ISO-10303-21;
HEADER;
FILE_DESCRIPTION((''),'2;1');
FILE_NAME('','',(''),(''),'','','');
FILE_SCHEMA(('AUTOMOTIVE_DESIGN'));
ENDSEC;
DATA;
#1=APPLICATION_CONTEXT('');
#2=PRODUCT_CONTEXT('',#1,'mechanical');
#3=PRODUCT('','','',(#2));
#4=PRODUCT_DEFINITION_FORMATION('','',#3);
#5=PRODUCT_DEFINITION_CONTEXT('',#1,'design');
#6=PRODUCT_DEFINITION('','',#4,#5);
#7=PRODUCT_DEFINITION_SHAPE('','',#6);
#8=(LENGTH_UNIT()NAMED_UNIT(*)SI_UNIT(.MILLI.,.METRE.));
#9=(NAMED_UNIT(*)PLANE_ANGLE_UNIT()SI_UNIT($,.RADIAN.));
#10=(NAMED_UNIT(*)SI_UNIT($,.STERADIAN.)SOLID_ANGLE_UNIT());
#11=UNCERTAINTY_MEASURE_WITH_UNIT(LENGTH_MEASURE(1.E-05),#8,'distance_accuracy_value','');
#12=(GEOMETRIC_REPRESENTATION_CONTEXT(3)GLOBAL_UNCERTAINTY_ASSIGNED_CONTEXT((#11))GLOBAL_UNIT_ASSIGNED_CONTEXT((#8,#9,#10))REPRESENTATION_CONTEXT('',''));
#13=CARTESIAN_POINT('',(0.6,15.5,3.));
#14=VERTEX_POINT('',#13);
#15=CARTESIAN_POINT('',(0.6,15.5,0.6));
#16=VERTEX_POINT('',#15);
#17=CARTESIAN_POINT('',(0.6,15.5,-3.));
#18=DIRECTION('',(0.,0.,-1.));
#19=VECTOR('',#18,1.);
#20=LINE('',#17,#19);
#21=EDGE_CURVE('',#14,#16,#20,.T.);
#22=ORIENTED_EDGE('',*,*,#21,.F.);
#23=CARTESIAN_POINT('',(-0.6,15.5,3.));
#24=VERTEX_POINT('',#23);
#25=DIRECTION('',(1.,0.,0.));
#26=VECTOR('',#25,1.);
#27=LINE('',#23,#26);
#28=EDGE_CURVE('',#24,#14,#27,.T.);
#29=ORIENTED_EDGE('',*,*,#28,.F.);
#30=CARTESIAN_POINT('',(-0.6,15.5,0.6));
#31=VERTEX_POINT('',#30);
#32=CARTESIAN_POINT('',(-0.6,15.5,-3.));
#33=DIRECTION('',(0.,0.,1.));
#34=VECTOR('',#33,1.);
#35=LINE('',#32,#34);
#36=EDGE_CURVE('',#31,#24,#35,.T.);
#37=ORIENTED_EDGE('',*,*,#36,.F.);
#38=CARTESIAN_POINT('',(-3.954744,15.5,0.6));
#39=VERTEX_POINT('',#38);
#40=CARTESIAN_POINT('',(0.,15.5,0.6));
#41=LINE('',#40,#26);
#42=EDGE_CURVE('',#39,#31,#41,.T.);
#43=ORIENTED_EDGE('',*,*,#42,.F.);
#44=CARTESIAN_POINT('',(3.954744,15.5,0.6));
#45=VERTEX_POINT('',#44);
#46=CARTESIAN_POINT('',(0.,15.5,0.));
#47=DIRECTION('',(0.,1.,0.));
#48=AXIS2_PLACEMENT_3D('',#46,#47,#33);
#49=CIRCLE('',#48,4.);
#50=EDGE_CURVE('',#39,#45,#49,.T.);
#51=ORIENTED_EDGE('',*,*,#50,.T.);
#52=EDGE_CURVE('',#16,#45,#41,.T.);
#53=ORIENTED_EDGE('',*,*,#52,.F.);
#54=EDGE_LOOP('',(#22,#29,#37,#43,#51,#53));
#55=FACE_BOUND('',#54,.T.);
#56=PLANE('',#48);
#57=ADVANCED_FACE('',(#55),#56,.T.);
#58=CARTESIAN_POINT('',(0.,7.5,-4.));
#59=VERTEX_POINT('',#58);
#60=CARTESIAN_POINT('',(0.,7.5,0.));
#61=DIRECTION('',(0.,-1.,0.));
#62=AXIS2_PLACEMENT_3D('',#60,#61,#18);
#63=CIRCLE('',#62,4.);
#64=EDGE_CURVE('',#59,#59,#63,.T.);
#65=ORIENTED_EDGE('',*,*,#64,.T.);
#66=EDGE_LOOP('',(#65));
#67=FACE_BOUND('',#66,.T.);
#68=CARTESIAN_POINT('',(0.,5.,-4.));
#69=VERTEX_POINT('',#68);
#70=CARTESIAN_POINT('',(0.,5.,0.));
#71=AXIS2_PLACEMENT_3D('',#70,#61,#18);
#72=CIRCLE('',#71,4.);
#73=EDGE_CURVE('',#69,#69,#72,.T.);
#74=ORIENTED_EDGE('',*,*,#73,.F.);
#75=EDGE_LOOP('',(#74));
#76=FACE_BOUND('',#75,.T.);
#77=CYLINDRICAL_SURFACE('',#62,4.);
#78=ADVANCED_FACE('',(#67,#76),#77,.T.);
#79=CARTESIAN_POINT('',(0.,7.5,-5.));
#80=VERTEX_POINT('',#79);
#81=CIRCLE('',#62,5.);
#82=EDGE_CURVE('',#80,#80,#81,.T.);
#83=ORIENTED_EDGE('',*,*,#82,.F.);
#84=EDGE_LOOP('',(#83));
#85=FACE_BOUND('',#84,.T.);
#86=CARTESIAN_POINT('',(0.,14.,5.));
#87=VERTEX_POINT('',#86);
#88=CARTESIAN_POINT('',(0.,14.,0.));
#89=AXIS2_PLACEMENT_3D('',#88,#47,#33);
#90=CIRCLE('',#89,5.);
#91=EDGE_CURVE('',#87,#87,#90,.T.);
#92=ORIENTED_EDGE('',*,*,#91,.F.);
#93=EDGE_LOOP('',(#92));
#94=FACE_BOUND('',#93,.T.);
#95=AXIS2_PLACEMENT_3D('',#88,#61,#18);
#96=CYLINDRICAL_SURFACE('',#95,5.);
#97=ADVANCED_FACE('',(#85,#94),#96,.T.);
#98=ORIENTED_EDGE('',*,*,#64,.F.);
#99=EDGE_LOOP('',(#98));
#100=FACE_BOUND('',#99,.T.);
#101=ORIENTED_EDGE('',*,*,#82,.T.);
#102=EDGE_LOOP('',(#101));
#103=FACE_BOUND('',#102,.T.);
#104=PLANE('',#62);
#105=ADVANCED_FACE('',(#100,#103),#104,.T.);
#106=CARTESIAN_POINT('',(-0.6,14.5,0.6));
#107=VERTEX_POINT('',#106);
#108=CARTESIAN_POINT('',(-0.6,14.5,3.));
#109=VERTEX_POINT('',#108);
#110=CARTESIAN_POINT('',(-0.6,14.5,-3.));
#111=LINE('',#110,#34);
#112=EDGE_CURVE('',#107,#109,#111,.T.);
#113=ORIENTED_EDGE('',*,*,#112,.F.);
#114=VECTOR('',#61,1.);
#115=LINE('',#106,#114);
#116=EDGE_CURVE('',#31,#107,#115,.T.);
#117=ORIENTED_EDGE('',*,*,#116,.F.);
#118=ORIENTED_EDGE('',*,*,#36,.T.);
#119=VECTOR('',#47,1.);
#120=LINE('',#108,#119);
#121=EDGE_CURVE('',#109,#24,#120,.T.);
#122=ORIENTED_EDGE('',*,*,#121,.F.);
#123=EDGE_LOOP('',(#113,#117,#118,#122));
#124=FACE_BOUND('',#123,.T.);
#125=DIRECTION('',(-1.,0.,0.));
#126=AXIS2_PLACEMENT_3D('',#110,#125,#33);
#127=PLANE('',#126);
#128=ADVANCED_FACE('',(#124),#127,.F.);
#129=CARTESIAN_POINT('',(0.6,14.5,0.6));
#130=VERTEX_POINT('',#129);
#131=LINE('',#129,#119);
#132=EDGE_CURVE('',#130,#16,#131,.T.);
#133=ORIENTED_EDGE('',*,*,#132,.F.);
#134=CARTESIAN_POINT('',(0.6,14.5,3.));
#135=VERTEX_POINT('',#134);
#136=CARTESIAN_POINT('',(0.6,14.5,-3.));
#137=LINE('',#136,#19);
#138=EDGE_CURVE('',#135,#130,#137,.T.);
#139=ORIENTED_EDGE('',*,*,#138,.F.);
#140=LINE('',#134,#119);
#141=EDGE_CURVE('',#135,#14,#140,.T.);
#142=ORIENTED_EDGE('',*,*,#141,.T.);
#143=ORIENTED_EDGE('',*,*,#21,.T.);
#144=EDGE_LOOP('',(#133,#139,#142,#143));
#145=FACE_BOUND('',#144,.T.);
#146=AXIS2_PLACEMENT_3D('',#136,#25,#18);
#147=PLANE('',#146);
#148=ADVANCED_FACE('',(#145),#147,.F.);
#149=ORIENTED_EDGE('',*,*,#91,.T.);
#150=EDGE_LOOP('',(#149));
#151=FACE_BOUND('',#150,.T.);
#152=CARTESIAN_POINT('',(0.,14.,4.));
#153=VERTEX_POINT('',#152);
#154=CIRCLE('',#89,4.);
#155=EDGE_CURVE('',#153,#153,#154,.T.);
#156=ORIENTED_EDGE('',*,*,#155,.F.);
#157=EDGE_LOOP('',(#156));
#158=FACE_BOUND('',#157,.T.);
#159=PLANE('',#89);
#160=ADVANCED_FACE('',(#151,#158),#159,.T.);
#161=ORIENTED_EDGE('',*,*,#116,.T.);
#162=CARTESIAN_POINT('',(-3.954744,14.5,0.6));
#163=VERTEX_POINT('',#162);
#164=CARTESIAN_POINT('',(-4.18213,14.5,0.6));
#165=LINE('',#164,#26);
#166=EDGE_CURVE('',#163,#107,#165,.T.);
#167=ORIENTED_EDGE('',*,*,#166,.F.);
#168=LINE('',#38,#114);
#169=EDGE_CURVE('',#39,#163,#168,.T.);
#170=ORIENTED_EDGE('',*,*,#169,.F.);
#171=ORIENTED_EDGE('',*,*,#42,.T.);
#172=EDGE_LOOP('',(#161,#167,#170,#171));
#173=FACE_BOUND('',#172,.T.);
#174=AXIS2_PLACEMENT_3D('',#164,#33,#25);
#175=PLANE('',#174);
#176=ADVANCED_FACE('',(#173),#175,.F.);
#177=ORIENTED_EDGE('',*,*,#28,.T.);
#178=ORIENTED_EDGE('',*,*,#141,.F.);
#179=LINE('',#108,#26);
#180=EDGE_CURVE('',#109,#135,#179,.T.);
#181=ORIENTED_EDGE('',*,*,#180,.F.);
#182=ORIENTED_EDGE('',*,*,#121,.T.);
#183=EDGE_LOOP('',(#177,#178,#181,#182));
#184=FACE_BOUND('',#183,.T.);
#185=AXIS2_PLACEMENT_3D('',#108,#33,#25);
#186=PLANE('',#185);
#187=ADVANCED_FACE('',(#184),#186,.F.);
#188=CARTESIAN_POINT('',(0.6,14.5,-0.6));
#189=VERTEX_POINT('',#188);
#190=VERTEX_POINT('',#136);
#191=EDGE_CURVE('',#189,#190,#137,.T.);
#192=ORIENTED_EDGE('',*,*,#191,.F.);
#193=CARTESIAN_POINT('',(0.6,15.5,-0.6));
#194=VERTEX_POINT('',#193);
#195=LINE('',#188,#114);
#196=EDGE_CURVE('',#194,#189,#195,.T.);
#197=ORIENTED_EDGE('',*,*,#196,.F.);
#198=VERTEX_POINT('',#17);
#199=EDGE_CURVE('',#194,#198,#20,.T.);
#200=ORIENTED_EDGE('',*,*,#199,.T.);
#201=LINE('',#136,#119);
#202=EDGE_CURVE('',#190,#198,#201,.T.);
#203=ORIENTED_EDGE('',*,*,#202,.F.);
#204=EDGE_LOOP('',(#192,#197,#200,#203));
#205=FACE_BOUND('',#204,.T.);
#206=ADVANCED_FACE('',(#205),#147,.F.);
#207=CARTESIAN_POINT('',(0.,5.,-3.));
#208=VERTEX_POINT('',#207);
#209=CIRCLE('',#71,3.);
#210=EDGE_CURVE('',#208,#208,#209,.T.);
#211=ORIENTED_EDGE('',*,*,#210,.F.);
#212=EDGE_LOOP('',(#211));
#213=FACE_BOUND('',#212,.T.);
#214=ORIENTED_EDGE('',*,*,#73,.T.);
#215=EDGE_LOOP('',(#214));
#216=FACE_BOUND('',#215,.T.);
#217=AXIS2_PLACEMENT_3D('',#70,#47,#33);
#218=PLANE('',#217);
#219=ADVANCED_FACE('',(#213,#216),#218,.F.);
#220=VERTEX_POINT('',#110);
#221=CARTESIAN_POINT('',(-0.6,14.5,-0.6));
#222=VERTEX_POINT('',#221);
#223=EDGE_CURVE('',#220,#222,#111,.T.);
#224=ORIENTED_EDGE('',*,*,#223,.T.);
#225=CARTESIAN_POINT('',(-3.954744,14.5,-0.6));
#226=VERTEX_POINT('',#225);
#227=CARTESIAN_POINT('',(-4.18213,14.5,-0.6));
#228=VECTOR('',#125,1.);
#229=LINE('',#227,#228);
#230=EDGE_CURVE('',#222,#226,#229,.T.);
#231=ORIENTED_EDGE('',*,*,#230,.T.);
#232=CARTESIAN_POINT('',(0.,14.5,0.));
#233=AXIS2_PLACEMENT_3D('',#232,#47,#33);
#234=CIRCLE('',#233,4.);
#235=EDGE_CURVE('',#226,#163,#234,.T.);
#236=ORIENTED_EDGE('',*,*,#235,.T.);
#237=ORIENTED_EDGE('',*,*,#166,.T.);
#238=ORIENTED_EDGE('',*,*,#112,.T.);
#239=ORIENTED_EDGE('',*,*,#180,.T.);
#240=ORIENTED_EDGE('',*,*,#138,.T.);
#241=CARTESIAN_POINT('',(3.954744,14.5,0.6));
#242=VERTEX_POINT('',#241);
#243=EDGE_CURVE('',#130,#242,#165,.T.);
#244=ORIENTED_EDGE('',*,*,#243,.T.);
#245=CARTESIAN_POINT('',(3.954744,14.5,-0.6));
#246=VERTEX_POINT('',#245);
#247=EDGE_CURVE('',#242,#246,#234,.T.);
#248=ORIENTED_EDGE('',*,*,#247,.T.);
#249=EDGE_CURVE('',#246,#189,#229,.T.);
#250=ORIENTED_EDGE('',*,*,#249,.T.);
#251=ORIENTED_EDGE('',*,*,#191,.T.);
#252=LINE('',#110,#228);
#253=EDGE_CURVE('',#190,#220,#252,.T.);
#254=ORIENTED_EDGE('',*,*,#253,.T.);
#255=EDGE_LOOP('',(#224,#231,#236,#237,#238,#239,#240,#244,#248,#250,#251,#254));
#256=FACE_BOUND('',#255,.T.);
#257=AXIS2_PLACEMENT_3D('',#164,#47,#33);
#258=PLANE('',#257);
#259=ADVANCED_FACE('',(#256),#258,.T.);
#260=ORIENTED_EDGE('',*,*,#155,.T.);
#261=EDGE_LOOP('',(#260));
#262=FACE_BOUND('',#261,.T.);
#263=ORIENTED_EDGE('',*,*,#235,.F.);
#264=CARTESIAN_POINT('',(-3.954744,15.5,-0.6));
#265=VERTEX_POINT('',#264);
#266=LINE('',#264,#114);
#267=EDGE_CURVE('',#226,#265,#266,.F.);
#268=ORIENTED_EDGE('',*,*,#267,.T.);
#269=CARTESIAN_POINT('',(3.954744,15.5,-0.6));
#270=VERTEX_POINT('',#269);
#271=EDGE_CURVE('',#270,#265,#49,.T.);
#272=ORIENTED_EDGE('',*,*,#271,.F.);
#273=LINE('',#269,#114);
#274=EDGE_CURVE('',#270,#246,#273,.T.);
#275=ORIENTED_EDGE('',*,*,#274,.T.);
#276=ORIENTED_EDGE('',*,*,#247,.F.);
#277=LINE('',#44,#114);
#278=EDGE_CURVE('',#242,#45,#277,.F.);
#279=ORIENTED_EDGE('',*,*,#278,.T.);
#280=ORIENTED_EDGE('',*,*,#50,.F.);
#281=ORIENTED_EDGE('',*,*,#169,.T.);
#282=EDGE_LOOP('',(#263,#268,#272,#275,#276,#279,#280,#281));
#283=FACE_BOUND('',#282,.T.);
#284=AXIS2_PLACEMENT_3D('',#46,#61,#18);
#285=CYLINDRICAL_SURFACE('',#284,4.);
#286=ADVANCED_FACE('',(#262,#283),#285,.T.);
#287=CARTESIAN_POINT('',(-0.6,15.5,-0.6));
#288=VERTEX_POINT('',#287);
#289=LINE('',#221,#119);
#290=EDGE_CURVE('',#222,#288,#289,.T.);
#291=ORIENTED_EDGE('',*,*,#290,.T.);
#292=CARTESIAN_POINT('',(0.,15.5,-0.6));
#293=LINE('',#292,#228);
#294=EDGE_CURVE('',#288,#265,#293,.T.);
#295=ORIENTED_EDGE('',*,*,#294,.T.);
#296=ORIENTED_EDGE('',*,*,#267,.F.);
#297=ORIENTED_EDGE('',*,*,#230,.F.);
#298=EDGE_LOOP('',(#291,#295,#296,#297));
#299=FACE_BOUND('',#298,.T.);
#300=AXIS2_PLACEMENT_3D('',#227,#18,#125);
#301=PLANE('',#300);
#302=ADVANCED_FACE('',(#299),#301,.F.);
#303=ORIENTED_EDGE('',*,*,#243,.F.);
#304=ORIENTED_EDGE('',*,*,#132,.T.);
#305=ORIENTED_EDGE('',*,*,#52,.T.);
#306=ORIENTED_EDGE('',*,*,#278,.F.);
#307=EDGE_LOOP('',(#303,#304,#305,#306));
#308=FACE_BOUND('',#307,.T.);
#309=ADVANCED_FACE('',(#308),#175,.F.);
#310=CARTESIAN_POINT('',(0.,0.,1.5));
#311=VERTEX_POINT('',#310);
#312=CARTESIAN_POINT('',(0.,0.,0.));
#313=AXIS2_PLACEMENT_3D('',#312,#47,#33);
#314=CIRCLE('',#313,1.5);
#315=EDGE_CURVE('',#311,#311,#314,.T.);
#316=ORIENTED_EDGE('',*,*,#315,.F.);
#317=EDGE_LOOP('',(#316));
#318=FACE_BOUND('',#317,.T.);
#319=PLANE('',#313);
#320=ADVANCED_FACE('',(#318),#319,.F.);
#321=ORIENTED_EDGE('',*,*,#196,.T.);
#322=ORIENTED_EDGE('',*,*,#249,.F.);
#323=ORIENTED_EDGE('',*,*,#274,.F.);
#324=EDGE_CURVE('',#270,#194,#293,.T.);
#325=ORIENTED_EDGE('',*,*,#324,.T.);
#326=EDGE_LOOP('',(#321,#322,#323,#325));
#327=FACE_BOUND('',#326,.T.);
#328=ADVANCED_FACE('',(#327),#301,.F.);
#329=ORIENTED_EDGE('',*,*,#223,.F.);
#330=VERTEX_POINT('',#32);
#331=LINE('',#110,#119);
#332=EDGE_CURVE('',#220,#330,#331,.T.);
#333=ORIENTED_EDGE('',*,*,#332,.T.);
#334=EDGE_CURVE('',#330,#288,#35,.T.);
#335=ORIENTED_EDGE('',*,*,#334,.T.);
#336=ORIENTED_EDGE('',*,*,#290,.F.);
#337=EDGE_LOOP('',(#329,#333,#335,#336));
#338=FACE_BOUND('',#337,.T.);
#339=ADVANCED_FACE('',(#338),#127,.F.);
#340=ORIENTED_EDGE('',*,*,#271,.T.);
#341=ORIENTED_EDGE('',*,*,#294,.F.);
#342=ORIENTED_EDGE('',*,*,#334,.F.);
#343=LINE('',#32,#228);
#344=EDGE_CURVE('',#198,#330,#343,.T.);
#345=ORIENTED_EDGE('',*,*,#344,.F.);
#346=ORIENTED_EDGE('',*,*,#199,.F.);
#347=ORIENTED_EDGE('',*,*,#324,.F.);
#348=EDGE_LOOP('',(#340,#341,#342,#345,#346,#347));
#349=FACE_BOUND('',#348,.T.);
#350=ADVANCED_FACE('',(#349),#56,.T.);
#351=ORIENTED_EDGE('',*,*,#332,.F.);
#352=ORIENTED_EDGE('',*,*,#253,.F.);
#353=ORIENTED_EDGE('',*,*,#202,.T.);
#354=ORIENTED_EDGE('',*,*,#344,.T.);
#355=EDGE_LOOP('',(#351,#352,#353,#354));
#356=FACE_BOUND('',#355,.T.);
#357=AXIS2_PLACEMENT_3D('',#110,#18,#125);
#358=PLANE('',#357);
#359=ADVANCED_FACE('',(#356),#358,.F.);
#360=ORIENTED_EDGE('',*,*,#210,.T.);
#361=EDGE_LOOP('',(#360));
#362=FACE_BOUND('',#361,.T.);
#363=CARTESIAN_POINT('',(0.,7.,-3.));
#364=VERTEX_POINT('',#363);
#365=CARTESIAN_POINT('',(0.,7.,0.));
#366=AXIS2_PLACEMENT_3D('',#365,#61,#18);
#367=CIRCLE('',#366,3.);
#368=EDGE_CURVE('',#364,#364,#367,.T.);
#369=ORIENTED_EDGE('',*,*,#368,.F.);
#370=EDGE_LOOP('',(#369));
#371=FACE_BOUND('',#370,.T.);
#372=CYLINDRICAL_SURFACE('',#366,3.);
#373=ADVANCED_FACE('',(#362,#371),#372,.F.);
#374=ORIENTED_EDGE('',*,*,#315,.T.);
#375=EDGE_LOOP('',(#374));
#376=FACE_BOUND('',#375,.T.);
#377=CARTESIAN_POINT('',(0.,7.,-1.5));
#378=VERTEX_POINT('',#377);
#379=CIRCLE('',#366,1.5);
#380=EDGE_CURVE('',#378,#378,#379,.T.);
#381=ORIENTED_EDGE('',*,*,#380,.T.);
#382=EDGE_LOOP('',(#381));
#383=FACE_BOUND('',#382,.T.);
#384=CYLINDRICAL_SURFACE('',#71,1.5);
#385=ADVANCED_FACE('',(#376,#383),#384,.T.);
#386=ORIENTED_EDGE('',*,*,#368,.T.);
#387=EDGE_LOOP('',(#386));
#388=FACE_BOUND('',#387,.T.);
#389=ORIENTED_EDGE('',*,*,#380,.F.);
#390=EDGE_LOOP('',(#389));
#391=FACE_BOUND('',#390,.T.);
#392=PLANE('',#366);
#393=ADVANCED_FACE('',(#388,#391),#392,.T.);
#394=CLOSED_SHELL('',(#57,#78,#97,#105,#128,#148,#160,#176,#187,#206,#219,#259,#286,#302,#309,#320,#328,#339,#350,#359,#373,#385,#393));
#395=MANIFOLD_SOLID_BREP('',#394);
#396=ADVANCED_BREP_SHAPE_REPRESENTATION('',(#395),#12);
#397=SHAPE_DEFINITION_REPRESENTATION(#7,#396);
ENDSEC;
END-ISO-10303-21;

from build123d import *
from build123d.topology import SkipClean

# Parameters (mm, degrees)
SKETCH_1_R          = 1.5
EXTRUDE_1_DEPTH     = 5
SKETCH_6_R          = 5
EXTRUDE_1_2_DEPTH   = 9
SKETCH_2_R          = 4
EXTRUDE_2_DEPTH     = 1.5
SKETCH_3_W          = 8.364260008
SKETCH_3_H          = 1.2
CUT_EXTRUDE_1_DEPTH = 1
SKETCH_4_W          = 1.2
SKETCH_4_H          = 6
CUT_EXTRUDE_2_DEPTH = 1
SKETCH_7_R          = 3
SKETCH_7_R_2        = 1.5
CUT_EXTRUDE_3_DEPTH = 2
SKETCH_8_OUTSIDE_W  = 16.196
SKETCH_8_OUTSIDE_H  = 16.196
SKETCH_8_OUTSIDE_R  = 4
CUT_EXTRUDE_4_DEPTH = 2.5


with BuildPart() as part:
    # 草图1 → Extrude 1 (new body)
    with BuildSketch(Plane(origin=(0, 0, 0), x_dir=(1, 0, 0), z_dir=(0, 1, 0))):
        with Locations(Location((0, 0, 0), (0, 0, 270))):
            Circle(SKETCH_1_R)
    extrude(amount=EXTRUDE_1_DEPTH)

    # 草图6 → Extrude 1 2 (add)
    with BuildSketch(Plane(origin=(0, 5, 0), x_dir=(1, 0, 0), z_dir=(0, 1, 0))):
        with Locations(Location((0, 0, 0), (0, 0, 270))):
            Circle(SKETCH_6_R)
    extrude(amount=EXTRUDE_1_2_DEPTH)

    # 草图2 → 拉伸2 (add)
    with BuildSketch(Plane(origin=(0, 14, 0), x_dir=(-1, 0, 0), z_dir=(0, 1, 0))):
        with Locations(Location((0, 0, 0), (0, 0, 90))):
            Circle(SKETCH_2_R)
    extrude(amount=EXTRUDE_2_DEPTH)

    # 草图3 → 切除-拉伸1 (cut)
    with BuildSketch(Plane(origin=(0, 15.5, 0), x_dir=(-1, 0, 0), z_dir=(0, 1, 0))):
        Rectangle(SKETCH_3_W, SKETCH_3_H)
    extrude(amount=-CUT_EXTRUDE_1_DEPTH, mode=Mode.SUBTRACT)

    # 草图4 → 切除-拉伸2 (cut)
    with BuildSketch(Plane(origin=(0, 15.5, 0), x_dir=(-1, 0, 0), z_dir=(0, 1, 0))):
        Rectangle(SKETCH_4_W, SKETCH_4_H)
    extrude(amount=-CUT_EXTRUDE_2_DEPTH, mode=Mode.SUBTRACT)

    # 草图7 → 切除-拉伸3 (cut)
    with SkipClean():  # the faces are left unmerged after this step: merging them gives an invalid solid
        with BuildSketch(Plane.XZ.offset(-5)):
            with Locations(Location((0, 0, 0), (0, 0, 270))):
                Circle(SKETCH_7_R)
            with Locations(Location((0, 0, 0), (0, 0, 270))):
                Circle(SKETCH_7_R_2, mode=Mode.SUBTRACT)
        extrude(amount=-CUT_EXTRUDE_3_DEPTH, mode=Mode.SUBTRACT)

    # 草图8 outside → 切除-拉伸4 (cut)
    with SkipClean():  # the faces are left unmerged after this step: merging them gives an invalid solid
        with BuildSketch(Plane(origin=(0, 5, 0), x_dir=(-1, 0, 0), z_dir=(0, -1, 0))):
            Rectangle(SKETCH_8_OUTSIDE_W, SKETCH_8_OUTSIDE_H)
            with Locations(Location((0, 0, 0), (0, 0, 90))):
                Circle(SKETCH_8_OUTSIDE_R, mode=Mode.SUBTRACT)
        extrude(amount=-CUT_EXTRUDE_4_DEPTH, mode=Mode.SUBTRACT)


solid = part.part
